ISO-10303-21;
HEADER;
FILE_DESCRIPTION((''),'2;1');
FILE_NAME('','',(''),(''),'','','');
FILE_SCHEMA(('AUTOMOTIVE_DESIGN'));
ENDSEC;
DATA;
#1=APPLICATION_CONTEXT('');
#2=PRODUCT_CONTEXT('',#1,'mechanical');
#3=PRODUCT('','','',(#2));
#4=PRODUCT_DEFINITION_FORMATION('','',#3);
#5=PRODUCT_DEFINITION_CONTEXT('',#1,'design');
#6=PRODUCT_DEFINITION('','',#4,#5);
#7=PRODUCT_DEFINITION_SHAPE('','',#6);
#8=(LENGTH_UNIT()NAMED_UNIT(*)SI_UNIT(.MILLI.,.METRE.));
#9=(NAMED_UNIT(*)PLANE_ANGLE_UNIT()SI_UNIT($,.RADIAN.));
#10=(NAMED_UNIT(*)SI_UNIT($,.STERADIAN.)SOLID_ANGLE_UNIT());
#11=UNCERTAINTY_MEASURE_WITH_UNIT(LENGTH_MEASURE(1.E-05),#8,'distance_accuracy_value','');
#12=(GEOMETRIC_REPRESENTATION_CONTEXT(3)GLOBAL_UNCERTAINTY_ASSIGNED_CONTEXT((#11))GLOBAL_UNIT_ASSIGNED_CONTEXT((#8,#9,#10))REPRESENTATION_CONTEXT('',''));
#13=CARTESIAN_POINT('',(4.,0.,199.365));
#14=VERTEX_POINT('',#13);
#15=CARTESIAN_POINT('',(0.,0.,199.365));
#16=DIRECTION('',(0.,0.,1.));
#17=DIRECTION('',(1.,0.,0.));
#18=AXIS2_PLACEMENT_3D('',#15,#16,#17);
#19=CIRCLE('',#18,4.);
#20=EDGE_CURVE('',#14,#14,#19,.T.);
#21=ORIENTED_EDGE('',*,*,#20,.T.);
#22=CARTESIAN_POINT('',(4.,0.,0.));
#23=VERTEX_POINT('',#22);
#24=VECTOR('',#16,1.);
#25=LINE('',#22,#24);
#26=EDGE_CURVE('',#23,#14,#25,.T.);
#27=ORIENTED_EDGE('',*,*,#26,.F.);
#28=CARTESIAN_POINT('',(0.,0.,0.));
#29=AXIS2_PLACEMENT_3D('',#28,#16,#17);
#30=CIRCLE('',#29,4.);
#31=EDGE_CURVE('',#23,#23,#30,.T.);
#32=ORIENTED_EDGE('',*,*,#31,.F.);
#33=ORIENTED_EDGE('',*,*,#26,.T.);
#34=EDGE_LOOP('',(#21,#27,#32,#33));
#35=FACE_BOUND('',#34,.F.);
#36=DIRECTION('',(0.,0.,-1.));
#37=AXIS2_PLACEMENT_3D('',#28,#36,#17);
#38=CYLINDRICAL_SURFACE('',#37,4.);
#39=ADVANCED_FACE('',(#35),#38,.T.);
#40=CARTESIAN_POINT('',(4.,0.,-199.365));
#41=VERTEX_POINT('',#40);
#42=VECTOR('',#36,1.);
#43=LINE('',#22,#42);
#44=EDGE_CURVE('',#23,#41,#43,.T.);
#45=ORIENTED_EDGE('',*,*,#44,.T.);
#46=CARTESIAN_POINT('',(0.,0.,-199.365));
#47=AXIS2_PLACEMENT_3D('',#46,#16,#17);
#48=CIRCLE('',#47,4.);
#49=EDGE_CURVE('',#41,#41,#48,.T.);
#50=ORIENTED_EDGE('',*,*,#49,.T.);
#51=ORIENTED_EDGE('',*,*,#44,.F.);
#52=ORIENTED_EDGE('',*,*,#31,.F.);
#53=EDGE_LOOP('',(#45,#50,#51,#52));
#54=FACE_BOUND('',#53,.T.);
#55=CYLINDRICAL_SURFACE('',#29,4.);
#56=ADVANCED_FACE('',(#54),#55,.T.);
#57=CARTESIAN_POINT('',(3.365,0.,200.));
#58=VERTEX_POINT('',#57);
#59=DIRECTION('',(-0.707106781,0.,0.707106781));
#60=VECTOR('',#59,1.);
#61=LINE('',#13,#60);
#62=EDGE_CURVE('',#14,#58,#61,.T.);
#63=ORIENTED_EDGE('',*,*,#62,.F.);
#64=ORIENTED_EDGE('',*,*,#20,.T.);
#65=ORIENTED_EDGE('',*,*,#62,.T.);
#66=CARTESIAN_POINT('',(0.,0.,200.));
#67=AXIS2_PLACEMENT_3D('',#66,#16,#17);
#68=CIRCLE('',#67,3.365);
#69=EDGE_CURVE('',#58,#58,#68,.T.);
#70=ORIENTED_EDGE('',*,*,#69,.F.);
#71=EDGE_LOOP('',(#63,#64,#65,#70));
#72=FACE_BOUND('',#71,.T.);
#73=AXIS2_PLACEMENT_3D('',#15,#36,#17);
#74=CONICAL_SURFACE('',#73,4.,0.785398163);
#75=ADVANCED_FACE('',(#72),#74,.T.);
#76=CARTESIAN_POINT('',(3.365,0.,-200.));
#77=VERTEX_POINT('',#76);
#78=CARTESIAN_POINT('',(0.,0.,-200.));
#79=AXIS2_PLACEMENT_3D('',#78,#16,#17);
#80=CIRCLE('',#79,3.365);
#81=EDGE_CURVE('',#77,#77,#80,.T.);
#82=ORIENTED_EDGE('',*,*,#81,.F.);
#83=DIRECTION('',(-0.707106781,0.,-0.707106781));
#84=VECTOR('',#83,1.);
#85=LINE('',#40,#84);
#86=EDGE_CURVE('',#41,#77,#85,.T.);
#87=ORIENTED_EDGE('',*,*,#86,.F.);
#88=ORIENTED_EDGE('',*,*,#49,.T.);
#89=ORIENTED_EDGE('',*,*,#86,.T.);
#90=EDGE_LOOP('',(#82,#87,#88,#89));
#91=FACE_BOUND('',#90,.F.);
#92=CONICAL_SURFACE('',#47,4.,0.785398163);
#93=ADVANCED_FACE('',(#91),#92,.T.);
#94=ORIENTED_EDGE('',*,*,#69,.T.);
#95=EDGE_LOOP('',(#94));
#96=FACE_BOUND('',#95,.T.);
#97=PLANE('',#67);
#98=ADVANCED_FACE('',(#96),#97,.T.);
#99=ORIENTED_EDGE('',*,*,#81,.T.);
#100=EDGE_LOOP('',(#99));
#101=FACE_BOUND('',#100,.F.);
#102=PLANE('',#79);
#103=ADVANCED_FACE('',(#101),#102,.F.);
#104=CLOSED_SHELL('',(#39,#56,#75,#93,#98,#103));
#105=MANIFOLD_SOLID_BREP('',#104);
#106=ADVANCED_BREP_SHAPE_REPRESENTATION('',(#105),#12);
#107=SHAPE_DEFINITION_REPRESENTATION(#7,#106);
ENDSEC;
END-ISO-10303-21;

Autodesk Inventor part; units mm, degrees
ref_plane "YZ Plane" through (0, 0, 0) normal (1, 0, 0) x (0, 1, 0)
ref_plane "XZ Plane" through (0, 0, 0) normal (0, 1, 0) x (-1, 0, 0)
ref_plane "XY Plane" through (0, 0, 0) normal (0, 0, 1) x (1, 0, 0)
sketch "Sketch1" plane through (0, 0, 0) normal (0, 0, 1) x (1, 0, 0)
  circle A0 centre (0, 0) radius 4
  dimension "d0" = 8
extrude "Extrusion1" add sketch "Sketch1" along normal mid plane 400
chamfer "Chamfer1" distance 0.635 angle 45 2 edges at (-4, 0, 200) (-4, 0, -200)
properties part number "8x400 Linear Guide" material "Stainless Steel"
